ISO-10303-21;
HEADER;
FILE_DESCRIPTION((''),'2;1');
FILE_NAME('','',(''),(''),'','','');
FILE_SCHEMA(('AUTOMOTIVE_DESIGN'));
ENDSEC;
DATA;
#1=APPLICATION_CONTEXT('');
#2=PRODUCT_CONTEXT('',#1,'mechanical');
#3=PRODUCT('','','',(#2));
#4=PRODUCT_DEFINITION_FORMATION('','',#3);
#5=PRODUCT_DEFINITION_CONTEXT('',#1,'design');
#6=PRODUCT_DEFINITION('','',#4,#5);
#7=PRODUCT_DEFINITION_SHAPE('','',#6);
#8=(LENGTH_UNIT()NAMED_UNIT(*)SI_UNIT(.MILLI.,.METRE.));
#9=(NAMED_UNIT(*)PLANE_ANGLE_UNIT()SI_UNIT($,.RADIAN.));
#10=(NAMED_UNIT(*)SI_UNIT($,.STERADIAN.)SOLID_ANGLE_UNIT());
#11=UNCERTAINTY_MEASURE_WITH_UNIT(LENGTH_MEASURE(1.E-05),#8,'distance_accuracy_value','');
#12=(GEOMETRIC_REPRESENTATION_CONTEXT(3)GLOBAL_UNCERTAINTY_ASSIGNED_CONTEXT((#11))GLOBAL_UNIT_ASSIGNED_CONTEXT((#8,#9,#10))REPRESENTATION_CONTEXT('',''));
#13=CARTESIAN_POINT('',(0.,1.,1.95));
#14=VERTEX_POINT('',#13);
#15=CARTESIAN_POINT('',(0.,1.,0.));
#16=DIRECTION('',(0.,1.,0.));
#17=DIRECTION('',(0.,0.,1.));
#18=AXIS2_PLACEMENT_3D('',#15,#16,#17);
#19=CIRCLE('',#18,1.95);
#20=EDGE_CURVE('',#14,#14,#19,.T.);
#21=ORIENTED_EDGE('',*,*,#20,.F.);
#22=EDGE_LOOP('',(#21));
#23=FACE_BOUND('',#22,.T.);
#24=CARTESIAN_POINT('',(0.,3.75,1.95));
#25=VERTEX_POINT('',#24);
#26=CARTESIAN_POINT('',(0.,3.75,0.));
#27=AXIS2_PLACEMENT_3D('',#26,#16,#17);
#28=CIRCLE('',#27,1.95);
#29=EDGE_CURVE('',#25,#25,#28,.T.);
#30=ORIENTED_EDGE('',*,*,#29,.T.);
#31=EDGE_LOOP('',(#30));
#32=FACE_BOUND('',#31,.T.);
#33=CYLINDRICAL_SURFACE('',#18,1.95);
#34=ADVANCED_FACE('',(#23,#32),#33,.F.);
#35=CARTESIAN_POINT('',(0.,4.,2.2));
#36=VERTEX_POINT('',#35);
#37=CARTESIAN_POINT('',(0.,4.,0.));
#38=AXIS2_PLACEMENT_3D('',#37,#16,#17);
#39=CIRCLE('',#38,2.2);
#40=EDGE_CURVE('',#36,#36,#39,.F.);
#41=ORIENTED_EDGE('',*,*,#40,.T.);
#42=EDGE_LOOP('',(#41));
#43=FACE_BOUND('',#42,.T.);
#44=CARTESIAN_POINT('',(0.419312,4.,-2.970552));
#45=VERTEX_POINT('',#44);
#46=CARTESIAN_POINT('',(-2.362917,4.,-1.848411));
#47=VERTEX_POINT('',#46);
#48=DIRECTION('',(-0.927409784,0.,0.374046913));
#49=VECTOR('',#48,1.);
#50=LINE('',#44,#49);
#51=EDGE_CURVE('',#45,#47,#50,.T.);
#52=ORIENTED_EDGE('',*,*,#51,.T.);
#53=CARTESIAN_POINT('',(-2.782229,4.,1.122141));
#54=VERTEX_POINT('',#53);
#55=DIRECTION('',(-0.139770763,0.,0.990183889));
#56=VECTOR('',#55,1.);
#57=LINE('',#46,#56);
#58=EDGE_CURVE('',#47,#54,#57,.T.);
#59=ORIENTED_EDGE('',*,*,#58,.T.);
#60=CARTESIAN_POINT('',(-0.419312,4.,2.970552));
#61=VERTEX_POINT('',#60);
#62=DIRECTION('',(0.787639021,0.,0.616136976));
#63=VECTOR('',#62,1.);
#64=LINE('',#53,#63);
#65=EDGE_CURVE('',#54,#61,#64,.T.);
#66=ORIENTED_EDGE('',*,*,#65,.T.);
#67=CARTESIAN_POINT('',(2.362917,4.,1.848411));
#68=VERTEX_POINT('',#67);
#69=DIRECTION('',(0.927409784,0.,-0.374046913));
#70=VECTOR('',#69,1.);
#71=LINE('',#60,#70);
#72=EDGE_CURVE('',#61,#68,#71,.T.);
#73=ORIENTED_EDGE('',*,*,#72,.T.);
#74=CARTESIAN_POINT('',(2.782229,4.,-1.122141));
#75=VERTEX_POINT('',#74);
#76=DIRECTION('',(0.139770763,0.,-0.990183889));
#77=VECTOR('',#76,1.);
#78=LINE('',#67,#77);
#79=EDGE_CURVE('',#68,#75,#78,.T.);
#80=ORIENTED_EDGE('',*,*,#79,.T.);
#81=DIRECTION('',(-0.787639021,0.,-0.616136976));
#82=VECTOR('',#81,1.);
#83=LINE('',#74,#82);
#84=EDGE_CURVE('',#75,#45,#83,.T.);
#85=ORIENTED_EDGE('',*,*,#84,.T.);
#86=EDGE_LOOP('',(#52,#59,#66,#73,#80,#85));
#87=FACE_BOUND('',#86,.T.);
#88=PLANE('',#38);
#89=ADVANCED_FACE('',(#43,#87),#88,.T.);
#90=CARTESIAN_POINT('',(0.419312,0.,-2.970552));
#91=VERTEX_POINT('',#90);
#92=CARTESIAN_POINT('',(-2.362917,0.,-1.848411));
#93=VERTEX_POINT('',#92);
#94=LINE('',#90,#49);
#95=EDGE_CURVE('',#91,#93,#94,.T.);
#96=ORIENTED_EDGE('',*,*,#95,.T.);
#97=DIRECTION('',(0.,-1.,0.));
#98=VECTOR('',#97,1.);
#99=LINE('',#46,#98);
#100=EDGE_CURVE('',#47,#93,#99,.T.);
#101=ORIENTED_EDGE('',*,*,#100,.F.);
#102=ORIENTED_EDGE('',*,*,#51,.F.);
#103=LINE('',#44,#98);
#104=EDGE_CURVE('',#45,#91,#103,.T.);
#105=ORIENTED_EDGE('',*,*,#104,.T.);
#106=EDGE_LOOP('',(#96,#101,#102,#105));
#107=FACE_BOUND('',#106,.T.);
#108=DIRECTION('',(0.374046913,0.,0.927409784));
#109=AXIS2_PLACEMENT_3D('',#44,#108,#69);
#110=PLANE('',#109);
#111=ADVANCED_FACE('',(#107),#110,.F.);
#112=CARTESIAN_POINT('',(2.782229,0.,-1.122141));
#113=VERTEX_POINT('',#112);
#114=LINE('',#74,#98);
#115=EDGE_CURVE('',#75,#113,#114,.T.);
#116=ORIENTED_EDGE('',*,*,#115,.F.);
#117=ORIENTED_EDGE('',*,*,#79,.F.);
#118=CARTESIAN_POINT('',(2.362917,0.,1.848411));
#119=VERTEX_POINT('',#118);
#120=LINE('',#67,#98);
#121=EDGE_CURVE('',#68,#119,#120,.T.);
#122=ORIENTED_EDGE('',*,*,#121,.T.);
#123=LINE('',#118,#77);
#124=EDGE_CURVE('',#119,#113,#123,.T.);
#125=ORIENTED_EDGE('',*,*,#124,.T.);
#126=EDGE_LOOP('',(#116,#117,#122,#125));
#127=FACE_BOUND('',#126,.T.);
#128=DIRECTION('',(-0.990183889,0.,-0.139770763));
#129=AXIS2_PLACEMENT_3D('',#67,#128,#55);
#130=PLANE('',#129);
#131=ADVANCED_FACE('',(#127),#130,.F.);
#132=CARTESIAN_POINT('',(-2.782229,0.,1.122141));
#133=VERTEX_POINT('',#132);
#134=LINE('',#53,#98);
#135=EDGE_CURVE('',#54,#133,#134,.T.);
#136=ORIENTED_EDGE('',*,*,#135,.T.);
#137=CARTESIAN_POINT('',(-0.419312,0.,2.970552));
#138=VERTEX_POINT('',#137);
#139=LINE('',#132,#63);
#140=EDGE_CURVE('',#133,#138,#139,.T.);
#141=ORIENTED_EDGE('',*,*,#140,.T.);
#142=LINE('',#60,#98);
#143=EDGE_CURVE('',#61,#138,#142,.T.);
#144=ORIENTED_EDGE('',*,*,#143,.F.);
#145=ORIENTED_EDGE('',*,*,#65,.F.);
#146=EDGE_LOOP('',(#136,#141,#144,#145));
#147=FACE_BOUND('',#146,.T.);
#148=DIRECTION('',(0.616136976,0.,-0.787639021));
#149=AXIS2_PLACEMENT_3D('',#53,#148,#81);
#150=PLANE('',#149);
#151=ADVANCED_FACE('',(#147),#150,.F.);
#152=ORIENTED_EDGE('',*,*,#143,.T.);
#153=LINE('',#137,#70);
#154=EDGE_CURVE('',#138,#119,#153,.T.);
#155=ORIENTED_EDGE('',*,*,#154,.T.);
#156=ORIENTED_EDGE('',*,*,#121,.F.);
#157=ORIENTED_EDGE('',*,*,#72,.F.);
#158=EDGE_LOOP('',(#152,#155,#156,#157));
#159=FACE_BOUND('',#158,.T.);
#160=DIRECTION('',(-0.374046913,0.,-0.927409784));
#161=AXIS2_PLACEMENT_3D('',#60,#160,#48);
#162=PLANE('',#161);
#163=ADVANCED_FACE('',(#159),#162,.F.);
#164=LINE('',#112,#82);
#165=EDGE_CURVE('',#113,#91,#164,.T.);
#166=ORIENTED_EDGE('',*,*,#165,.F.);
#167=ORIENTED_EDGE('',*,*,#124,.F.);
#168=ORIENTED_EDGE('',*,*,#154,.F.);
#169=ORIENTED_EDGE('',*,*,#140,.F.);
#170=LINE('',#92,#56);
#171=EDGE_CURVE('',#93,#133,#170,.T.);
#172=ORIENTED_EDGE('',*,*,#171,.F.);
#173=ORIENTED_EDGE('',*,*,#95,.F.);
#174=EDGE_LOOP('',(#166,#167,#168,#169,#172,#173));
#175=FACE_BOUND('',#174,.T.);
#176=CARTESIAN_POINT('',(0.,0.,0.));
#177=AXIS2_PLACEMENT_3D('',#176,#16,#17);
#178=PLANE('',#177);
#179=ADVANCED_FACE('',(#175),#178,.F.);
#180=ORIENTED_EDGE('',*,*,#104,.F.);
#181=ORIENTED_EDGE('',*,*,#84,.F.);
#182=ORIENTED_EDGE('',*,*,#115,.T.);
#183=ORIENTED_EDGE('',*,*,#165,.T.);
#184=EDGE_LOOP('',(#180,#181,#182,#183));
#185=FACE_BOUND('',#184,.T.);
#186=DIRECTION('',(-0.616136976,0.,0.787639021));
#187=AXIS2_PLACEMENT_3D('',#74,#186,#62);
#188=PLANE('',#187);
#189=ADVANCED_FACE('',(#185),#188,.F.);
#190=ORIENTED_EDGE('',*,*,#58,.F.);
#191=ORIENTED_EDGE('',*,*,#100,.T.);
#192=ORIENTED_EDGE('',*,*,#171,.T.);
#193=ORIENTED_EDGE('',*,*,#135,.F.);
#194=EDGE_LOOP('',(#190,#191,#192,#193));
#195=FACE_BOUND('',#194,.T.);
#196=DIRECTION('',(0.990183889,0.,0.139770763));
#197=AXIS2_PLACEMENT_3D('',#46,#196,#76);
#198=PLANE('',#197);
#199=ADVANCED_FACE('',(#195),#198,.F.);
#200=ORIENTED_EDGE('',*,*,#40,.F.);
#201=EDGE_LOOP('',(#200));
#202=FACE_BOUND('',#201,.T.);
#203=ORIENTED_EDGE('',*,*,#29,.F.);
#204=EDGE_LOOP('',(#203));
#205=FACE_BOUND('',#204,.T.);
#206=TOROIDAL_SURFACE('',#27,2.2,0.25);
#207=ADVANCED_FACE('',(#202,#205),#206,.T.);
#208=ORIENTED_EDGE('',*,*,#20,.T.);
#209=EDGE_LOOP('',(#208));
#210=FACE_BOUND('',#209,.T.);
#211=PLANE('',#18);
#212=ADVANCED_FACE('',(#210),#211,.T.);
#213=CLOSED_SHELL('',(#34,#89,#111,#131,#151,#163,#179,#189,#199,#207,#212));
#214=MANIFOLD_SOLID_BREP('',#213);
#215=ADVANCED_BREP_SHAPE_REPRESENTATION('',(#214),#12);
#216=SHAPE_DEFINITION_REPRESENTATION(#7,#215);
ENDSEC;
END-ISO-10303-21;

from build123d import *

# Parameters (mm, degrees)
BOSS_EXTRUDE1_DEPTH = 4
SKETCH2_R           = 1.95
CUT_EXTRUDE1_DEPTH  = 3
FILLET1_R           = 0.25


with BuildPart() as part:
    # Sketch1 → Boss-Extrude1 (new body)
    with BuildSketch(Plane(origin=(0, 0, 0), x_dir=(1, 0, 0), z_dir=(0, 1, 0))):
        Polygon((2.362917062, -1.848410928), (2.782229351, 1.122140739), (0.419312289, 2.970551667), (-2.362917062, 1.848410928), (-2.782229351, -1.122140739), (-0.419312289, -2.970551667), align=None)
    extrude(amount=BOSS_EXTRUDE1_DEPTH)

    # Sketch2 → Cut-Extrude1 (cut)
    with BuildSketch(Plane(origin=(0, 4, 0), x_dir=(1, 0, 0), z_dir=(0, 1, 0))):
        Circle(SKETCH2_R)
    extrude(amount=-CUT_EXTRUDE1_DEPTH, mode=Mode.SUBTRACT)

    # Fillet1
    fillet1_edges = [part.edges().sort_by_distance(p)[0] for p in [
        (-1.95, 4, 0),
    ]]
    fillet(fillet1_edges, radius=FILLET1_R)


solid = part.part
